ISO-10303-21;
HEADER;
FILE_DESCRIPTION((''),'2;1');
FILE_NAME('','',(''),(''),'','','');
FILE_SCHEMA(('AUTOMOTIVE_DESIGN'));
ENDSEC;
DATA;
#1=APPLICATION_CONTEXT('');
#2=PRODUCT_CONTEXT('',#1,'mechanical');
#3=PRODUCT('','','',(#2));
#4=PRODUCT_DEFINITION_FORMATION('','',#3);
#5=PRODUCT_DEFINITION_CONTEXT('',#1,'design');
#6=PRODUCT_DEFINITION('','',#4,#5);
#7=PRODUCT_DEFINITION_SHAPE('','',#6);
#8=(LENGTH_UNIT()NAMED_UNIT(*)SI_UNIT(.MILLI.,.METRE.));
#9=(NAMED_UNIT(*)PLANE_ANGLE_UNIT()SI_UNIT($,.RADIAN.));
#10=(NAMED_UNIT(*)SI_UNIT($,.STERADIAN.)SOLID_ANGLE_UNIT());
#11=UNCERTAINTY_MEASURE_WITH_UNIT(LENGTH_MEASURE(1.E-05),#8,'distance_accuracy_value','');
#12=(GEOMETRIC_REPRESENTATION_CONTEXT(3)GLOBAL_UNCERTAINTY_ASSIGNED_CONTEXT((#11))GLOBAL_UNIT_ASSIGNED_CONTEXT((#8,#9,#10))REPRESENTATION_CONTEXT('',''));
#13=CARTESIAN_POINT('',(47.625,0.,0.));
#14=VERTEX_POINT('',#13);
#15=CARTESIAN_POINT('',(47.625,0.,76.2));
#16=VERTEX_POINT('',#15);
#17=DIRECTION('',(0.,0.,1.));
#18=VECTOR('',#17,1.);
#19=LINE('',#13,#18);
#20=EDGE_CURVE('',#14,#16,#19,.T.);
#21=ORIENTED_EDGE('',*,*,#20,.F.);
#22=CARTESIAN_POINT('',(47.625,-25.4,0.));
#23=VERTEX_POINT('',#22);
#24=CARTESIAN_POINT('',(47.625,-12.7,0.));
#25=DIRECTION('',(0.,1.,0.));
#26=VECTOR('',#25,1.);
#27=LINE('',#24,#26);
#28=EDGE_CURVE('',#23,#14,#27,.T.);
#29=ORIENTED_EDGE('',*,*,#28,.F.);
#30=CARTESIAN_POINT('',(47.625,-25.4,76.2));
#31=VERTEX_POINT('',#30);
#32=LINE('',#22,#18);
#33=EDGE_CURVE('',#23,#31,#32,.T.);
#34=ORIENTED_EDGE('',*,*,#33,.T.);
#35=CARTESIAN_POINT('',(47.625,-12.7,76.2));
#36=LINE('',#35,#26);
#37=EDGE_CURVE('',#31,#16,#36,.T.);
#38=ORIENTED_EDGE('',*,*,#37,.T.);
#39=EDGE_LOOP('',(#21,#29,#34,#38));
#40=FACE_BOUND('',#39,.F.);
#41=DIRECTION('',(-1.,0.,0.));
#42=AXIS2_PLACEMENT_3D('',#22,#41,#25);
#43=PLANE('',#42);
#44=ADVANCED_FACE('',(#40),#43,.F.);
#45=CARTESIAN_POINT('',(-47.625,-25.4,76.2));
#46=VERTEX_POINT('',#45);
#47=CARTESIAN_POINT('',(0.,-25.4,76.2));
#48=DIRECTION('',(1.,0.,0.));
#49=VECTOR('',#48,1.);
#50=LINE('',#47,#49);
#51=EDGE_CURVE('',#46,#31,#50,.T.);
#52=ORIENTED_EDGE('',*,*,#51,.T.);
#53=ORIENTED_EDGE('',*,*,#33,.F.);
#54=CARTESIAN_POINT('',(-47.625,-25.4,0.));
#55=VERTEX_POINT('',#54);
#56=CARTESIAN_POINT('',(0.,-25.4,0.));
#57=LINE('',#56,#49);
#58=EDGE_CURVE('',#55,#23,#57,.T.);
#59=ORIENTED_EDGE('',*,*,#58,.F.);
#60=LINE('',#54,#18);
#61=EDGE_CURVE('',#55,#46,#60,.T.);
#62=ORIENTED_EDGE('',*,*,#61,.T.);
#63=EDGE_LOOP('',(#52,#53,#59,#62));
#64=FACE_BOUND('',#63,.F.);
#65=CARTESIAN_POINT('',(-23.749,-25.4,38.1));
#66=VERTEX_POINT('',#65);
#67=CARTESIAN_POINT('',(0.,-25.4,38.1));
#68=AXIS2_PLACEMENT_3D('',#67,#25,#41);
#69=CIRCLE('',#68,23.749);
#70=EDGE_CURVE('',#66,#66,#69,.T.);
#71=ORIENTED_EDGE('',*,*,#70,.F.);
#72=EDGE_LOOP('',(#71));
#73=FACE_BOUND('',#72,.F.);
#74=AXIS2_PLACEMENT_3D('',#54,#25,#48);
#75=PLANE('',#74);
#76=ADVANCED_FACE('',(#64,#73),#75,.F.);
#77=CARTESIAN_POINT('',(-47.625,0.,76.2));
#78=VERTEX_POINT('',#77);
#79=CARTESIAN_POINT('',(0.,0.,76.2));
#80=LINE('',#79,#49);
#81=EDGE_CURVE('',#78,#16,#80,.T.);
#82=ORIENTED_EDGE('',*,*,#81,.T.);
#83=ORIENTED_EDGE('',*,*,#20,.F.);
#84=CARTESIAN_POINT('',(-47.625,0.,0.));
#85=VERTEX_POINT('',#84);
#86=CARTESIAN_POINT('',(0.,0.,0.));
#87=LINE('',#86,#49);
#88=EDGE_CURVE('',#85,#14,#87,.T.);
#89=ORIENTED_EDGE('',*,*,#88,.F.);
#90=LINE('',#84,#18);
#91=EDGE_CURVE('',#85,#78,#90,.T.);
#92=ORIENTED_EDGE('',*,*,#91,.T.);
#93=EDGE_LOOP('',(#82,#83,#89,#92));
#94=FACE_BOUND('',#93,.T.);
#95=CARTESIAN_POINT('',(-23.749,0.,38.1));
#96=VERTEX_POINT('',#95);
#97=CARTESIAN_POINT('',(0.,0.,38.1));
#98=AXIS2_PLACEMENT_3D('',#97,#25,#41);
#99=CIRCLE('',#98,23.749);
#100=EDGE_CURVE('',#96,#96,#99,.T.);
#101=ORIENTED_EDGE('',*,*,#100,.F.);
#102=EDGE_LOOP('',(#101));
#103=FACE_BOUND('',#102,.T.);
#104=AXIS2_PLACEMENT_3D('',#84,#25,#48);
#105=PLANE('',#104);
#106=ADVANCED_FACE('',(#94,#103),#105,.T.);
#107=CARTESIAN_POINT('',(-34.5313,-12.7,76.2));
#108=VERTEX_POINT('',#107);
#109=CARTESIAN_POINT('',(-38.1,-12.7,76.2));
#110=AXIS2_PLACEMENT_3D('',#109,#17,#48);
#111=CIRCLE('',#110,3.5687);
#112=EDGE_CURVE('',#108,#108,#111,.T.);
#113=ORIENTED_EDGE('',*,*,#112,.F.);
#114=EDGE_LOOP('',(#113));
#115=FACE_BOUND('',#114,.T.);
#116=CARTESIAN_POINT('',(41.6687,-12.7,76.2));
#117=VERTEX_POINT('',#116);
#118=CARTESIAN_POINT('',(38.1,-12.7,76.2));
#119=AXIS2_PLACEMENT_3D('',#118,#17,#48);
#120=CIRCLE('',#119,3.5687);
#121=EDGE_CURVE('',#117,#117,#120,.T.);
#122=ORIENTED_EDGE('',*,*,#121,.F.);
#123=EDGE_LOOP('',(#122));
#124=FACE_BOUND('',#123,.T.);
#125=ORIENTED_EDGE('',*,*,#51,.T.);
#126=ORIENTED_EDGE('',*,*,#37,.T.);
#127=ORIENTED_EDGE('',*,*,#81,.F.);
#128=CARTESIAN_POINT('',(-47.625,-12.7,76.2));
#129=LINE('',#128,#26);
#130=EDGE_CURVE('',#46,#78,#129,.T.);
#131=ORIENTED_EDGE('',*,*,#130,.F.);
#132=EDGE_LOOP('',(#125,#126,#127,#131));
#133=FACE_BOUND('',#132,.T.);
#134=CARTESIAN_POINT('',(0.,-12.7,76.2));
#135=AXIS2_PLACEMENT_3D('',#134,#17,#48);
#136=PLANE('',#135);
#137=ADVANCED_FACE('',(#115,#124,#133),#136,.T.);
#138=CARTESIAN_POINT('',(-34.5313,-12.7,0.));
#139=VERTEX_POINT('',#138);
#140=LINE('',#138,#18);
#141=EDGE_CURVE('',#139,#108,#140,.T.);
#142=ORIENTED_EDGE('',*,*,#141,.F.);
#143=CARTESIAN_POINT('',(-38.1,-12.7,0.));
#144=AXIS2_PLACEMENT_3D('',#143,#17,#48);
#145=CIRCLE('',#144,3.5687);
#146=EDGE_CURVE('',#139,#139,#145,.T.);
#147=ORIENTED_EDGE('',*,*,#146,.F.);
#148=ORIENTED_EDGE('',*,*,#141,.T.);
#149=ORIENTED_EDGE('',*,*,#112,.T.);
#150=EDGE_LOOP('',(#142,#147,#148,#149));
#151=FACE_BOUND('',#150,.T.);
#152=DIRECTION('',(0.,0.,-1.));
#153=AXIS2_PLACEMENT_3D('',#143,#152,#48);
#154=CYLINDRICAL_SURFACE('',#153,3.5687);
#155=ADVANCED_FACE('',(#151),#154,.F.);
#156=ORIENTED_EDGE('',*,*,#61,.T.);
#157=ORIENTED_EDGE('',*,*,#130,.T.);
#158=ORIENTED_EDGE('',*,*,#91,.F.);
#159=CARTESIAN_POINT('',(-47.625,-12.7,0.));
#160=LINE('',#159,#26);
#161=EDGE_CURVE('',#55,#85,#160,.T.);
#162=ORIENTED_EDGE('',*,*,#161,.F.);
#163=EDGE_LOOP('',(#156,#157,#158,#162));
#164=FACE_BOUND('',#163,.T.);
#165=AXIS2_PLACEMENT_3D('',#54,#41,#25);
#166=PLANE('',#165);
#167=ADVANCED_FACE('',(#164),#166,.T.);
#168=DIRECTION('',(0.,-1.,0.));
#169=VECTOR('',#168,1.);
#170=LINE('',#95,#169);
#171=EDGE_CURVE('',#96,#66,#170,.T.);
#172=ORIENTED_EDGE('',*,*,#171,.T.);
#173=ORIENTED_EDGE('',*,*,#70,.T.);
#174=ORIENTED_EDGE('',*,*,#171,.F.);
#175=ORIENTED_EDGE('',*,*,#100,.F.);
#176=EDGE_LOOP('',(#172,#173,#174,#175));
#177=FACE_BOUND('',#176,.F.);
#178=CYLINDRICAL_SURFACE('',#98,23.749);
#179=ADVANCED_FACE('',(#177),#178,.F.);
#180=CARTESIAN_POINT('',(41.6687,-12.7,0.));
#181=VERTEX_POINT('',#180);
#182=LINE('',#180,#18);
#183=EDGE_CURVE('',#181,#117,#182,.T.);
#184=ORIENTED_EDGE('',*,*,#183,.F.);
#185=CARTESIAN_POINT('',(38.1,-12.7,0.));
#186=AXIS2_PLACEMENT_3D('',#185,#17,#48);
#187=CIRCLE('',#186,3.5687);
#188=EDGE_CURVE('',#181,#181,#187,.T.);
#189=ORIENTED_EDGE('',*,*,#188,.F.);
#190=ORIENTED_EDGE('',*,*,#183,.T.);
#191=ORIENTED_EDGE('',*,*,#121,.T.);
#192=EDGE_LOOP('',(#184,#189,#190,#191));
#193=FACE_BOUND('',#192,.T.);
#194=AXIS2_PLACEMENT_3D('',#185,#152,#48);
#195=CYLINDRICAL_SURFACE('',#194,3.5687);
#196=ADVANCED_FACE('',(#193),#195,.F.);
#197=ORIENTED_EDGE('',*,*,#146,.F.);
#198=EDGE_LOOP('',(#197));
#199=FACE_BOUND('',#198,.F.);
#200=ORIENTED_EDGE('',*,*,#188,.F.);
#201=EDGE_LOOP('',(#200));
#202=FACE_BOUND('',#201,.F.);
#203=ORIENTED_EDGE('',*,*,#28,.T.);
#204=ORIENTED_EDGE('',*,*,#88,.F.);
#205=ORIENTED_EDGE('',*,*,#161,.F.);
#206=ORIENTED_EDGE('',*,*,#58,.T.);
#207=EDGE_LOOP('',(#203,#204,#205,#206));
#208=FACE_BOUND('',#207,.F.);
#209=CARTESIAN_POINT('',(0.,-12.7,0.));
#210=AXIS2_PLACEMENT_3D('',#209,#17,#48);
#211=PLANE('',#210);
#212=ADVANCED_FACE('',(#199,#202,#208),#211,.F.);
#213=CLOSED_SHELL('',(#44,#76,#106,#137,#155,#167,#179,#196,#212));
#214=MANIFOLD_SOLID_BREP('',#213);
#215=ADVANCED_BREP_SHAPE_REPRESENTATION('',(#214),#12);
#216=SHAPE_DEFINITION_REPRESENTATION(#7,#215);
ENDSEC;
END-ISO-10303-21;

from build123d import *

# Parameters (mm, degrees)
F0_W     = 95.25
F0_H     = 25.4
F0_R     = 3.5687
F1_DEPTH = 76.2
F2_R     = 23.749
F3_DEPTH = 25.4


with BuildPart() as f1:
    # F0 (on Top) → F1 (new body)
    with BuildSketch(Plane.XY):
        with Locations((0, -12.7)):
            Rectangle(F0_W, F0_H)
        with Locations((-38.1, -12.7)):
            Circle(F0_R, mode=Mode.SUBTRACT)
        with Locations((38.1, -12.7)):
            Circle(F0_R, mode=Mode.SUBTRACT)
    extrude(amount=F1_DEPTH)

    # F2 (on face) → F3 (cut, through all)
    with BuildSketch(Plane(origin=(0, 0, 0), x_dir=(-1, 0, 0), z_dir=(0, 1, 0))):
        with Locations((0, 38.1)):
            Circle(F2_R)
    extrude(amount=-F3_DEPTH, mode=Mode.SUBTRACT)


solid = f1.part
